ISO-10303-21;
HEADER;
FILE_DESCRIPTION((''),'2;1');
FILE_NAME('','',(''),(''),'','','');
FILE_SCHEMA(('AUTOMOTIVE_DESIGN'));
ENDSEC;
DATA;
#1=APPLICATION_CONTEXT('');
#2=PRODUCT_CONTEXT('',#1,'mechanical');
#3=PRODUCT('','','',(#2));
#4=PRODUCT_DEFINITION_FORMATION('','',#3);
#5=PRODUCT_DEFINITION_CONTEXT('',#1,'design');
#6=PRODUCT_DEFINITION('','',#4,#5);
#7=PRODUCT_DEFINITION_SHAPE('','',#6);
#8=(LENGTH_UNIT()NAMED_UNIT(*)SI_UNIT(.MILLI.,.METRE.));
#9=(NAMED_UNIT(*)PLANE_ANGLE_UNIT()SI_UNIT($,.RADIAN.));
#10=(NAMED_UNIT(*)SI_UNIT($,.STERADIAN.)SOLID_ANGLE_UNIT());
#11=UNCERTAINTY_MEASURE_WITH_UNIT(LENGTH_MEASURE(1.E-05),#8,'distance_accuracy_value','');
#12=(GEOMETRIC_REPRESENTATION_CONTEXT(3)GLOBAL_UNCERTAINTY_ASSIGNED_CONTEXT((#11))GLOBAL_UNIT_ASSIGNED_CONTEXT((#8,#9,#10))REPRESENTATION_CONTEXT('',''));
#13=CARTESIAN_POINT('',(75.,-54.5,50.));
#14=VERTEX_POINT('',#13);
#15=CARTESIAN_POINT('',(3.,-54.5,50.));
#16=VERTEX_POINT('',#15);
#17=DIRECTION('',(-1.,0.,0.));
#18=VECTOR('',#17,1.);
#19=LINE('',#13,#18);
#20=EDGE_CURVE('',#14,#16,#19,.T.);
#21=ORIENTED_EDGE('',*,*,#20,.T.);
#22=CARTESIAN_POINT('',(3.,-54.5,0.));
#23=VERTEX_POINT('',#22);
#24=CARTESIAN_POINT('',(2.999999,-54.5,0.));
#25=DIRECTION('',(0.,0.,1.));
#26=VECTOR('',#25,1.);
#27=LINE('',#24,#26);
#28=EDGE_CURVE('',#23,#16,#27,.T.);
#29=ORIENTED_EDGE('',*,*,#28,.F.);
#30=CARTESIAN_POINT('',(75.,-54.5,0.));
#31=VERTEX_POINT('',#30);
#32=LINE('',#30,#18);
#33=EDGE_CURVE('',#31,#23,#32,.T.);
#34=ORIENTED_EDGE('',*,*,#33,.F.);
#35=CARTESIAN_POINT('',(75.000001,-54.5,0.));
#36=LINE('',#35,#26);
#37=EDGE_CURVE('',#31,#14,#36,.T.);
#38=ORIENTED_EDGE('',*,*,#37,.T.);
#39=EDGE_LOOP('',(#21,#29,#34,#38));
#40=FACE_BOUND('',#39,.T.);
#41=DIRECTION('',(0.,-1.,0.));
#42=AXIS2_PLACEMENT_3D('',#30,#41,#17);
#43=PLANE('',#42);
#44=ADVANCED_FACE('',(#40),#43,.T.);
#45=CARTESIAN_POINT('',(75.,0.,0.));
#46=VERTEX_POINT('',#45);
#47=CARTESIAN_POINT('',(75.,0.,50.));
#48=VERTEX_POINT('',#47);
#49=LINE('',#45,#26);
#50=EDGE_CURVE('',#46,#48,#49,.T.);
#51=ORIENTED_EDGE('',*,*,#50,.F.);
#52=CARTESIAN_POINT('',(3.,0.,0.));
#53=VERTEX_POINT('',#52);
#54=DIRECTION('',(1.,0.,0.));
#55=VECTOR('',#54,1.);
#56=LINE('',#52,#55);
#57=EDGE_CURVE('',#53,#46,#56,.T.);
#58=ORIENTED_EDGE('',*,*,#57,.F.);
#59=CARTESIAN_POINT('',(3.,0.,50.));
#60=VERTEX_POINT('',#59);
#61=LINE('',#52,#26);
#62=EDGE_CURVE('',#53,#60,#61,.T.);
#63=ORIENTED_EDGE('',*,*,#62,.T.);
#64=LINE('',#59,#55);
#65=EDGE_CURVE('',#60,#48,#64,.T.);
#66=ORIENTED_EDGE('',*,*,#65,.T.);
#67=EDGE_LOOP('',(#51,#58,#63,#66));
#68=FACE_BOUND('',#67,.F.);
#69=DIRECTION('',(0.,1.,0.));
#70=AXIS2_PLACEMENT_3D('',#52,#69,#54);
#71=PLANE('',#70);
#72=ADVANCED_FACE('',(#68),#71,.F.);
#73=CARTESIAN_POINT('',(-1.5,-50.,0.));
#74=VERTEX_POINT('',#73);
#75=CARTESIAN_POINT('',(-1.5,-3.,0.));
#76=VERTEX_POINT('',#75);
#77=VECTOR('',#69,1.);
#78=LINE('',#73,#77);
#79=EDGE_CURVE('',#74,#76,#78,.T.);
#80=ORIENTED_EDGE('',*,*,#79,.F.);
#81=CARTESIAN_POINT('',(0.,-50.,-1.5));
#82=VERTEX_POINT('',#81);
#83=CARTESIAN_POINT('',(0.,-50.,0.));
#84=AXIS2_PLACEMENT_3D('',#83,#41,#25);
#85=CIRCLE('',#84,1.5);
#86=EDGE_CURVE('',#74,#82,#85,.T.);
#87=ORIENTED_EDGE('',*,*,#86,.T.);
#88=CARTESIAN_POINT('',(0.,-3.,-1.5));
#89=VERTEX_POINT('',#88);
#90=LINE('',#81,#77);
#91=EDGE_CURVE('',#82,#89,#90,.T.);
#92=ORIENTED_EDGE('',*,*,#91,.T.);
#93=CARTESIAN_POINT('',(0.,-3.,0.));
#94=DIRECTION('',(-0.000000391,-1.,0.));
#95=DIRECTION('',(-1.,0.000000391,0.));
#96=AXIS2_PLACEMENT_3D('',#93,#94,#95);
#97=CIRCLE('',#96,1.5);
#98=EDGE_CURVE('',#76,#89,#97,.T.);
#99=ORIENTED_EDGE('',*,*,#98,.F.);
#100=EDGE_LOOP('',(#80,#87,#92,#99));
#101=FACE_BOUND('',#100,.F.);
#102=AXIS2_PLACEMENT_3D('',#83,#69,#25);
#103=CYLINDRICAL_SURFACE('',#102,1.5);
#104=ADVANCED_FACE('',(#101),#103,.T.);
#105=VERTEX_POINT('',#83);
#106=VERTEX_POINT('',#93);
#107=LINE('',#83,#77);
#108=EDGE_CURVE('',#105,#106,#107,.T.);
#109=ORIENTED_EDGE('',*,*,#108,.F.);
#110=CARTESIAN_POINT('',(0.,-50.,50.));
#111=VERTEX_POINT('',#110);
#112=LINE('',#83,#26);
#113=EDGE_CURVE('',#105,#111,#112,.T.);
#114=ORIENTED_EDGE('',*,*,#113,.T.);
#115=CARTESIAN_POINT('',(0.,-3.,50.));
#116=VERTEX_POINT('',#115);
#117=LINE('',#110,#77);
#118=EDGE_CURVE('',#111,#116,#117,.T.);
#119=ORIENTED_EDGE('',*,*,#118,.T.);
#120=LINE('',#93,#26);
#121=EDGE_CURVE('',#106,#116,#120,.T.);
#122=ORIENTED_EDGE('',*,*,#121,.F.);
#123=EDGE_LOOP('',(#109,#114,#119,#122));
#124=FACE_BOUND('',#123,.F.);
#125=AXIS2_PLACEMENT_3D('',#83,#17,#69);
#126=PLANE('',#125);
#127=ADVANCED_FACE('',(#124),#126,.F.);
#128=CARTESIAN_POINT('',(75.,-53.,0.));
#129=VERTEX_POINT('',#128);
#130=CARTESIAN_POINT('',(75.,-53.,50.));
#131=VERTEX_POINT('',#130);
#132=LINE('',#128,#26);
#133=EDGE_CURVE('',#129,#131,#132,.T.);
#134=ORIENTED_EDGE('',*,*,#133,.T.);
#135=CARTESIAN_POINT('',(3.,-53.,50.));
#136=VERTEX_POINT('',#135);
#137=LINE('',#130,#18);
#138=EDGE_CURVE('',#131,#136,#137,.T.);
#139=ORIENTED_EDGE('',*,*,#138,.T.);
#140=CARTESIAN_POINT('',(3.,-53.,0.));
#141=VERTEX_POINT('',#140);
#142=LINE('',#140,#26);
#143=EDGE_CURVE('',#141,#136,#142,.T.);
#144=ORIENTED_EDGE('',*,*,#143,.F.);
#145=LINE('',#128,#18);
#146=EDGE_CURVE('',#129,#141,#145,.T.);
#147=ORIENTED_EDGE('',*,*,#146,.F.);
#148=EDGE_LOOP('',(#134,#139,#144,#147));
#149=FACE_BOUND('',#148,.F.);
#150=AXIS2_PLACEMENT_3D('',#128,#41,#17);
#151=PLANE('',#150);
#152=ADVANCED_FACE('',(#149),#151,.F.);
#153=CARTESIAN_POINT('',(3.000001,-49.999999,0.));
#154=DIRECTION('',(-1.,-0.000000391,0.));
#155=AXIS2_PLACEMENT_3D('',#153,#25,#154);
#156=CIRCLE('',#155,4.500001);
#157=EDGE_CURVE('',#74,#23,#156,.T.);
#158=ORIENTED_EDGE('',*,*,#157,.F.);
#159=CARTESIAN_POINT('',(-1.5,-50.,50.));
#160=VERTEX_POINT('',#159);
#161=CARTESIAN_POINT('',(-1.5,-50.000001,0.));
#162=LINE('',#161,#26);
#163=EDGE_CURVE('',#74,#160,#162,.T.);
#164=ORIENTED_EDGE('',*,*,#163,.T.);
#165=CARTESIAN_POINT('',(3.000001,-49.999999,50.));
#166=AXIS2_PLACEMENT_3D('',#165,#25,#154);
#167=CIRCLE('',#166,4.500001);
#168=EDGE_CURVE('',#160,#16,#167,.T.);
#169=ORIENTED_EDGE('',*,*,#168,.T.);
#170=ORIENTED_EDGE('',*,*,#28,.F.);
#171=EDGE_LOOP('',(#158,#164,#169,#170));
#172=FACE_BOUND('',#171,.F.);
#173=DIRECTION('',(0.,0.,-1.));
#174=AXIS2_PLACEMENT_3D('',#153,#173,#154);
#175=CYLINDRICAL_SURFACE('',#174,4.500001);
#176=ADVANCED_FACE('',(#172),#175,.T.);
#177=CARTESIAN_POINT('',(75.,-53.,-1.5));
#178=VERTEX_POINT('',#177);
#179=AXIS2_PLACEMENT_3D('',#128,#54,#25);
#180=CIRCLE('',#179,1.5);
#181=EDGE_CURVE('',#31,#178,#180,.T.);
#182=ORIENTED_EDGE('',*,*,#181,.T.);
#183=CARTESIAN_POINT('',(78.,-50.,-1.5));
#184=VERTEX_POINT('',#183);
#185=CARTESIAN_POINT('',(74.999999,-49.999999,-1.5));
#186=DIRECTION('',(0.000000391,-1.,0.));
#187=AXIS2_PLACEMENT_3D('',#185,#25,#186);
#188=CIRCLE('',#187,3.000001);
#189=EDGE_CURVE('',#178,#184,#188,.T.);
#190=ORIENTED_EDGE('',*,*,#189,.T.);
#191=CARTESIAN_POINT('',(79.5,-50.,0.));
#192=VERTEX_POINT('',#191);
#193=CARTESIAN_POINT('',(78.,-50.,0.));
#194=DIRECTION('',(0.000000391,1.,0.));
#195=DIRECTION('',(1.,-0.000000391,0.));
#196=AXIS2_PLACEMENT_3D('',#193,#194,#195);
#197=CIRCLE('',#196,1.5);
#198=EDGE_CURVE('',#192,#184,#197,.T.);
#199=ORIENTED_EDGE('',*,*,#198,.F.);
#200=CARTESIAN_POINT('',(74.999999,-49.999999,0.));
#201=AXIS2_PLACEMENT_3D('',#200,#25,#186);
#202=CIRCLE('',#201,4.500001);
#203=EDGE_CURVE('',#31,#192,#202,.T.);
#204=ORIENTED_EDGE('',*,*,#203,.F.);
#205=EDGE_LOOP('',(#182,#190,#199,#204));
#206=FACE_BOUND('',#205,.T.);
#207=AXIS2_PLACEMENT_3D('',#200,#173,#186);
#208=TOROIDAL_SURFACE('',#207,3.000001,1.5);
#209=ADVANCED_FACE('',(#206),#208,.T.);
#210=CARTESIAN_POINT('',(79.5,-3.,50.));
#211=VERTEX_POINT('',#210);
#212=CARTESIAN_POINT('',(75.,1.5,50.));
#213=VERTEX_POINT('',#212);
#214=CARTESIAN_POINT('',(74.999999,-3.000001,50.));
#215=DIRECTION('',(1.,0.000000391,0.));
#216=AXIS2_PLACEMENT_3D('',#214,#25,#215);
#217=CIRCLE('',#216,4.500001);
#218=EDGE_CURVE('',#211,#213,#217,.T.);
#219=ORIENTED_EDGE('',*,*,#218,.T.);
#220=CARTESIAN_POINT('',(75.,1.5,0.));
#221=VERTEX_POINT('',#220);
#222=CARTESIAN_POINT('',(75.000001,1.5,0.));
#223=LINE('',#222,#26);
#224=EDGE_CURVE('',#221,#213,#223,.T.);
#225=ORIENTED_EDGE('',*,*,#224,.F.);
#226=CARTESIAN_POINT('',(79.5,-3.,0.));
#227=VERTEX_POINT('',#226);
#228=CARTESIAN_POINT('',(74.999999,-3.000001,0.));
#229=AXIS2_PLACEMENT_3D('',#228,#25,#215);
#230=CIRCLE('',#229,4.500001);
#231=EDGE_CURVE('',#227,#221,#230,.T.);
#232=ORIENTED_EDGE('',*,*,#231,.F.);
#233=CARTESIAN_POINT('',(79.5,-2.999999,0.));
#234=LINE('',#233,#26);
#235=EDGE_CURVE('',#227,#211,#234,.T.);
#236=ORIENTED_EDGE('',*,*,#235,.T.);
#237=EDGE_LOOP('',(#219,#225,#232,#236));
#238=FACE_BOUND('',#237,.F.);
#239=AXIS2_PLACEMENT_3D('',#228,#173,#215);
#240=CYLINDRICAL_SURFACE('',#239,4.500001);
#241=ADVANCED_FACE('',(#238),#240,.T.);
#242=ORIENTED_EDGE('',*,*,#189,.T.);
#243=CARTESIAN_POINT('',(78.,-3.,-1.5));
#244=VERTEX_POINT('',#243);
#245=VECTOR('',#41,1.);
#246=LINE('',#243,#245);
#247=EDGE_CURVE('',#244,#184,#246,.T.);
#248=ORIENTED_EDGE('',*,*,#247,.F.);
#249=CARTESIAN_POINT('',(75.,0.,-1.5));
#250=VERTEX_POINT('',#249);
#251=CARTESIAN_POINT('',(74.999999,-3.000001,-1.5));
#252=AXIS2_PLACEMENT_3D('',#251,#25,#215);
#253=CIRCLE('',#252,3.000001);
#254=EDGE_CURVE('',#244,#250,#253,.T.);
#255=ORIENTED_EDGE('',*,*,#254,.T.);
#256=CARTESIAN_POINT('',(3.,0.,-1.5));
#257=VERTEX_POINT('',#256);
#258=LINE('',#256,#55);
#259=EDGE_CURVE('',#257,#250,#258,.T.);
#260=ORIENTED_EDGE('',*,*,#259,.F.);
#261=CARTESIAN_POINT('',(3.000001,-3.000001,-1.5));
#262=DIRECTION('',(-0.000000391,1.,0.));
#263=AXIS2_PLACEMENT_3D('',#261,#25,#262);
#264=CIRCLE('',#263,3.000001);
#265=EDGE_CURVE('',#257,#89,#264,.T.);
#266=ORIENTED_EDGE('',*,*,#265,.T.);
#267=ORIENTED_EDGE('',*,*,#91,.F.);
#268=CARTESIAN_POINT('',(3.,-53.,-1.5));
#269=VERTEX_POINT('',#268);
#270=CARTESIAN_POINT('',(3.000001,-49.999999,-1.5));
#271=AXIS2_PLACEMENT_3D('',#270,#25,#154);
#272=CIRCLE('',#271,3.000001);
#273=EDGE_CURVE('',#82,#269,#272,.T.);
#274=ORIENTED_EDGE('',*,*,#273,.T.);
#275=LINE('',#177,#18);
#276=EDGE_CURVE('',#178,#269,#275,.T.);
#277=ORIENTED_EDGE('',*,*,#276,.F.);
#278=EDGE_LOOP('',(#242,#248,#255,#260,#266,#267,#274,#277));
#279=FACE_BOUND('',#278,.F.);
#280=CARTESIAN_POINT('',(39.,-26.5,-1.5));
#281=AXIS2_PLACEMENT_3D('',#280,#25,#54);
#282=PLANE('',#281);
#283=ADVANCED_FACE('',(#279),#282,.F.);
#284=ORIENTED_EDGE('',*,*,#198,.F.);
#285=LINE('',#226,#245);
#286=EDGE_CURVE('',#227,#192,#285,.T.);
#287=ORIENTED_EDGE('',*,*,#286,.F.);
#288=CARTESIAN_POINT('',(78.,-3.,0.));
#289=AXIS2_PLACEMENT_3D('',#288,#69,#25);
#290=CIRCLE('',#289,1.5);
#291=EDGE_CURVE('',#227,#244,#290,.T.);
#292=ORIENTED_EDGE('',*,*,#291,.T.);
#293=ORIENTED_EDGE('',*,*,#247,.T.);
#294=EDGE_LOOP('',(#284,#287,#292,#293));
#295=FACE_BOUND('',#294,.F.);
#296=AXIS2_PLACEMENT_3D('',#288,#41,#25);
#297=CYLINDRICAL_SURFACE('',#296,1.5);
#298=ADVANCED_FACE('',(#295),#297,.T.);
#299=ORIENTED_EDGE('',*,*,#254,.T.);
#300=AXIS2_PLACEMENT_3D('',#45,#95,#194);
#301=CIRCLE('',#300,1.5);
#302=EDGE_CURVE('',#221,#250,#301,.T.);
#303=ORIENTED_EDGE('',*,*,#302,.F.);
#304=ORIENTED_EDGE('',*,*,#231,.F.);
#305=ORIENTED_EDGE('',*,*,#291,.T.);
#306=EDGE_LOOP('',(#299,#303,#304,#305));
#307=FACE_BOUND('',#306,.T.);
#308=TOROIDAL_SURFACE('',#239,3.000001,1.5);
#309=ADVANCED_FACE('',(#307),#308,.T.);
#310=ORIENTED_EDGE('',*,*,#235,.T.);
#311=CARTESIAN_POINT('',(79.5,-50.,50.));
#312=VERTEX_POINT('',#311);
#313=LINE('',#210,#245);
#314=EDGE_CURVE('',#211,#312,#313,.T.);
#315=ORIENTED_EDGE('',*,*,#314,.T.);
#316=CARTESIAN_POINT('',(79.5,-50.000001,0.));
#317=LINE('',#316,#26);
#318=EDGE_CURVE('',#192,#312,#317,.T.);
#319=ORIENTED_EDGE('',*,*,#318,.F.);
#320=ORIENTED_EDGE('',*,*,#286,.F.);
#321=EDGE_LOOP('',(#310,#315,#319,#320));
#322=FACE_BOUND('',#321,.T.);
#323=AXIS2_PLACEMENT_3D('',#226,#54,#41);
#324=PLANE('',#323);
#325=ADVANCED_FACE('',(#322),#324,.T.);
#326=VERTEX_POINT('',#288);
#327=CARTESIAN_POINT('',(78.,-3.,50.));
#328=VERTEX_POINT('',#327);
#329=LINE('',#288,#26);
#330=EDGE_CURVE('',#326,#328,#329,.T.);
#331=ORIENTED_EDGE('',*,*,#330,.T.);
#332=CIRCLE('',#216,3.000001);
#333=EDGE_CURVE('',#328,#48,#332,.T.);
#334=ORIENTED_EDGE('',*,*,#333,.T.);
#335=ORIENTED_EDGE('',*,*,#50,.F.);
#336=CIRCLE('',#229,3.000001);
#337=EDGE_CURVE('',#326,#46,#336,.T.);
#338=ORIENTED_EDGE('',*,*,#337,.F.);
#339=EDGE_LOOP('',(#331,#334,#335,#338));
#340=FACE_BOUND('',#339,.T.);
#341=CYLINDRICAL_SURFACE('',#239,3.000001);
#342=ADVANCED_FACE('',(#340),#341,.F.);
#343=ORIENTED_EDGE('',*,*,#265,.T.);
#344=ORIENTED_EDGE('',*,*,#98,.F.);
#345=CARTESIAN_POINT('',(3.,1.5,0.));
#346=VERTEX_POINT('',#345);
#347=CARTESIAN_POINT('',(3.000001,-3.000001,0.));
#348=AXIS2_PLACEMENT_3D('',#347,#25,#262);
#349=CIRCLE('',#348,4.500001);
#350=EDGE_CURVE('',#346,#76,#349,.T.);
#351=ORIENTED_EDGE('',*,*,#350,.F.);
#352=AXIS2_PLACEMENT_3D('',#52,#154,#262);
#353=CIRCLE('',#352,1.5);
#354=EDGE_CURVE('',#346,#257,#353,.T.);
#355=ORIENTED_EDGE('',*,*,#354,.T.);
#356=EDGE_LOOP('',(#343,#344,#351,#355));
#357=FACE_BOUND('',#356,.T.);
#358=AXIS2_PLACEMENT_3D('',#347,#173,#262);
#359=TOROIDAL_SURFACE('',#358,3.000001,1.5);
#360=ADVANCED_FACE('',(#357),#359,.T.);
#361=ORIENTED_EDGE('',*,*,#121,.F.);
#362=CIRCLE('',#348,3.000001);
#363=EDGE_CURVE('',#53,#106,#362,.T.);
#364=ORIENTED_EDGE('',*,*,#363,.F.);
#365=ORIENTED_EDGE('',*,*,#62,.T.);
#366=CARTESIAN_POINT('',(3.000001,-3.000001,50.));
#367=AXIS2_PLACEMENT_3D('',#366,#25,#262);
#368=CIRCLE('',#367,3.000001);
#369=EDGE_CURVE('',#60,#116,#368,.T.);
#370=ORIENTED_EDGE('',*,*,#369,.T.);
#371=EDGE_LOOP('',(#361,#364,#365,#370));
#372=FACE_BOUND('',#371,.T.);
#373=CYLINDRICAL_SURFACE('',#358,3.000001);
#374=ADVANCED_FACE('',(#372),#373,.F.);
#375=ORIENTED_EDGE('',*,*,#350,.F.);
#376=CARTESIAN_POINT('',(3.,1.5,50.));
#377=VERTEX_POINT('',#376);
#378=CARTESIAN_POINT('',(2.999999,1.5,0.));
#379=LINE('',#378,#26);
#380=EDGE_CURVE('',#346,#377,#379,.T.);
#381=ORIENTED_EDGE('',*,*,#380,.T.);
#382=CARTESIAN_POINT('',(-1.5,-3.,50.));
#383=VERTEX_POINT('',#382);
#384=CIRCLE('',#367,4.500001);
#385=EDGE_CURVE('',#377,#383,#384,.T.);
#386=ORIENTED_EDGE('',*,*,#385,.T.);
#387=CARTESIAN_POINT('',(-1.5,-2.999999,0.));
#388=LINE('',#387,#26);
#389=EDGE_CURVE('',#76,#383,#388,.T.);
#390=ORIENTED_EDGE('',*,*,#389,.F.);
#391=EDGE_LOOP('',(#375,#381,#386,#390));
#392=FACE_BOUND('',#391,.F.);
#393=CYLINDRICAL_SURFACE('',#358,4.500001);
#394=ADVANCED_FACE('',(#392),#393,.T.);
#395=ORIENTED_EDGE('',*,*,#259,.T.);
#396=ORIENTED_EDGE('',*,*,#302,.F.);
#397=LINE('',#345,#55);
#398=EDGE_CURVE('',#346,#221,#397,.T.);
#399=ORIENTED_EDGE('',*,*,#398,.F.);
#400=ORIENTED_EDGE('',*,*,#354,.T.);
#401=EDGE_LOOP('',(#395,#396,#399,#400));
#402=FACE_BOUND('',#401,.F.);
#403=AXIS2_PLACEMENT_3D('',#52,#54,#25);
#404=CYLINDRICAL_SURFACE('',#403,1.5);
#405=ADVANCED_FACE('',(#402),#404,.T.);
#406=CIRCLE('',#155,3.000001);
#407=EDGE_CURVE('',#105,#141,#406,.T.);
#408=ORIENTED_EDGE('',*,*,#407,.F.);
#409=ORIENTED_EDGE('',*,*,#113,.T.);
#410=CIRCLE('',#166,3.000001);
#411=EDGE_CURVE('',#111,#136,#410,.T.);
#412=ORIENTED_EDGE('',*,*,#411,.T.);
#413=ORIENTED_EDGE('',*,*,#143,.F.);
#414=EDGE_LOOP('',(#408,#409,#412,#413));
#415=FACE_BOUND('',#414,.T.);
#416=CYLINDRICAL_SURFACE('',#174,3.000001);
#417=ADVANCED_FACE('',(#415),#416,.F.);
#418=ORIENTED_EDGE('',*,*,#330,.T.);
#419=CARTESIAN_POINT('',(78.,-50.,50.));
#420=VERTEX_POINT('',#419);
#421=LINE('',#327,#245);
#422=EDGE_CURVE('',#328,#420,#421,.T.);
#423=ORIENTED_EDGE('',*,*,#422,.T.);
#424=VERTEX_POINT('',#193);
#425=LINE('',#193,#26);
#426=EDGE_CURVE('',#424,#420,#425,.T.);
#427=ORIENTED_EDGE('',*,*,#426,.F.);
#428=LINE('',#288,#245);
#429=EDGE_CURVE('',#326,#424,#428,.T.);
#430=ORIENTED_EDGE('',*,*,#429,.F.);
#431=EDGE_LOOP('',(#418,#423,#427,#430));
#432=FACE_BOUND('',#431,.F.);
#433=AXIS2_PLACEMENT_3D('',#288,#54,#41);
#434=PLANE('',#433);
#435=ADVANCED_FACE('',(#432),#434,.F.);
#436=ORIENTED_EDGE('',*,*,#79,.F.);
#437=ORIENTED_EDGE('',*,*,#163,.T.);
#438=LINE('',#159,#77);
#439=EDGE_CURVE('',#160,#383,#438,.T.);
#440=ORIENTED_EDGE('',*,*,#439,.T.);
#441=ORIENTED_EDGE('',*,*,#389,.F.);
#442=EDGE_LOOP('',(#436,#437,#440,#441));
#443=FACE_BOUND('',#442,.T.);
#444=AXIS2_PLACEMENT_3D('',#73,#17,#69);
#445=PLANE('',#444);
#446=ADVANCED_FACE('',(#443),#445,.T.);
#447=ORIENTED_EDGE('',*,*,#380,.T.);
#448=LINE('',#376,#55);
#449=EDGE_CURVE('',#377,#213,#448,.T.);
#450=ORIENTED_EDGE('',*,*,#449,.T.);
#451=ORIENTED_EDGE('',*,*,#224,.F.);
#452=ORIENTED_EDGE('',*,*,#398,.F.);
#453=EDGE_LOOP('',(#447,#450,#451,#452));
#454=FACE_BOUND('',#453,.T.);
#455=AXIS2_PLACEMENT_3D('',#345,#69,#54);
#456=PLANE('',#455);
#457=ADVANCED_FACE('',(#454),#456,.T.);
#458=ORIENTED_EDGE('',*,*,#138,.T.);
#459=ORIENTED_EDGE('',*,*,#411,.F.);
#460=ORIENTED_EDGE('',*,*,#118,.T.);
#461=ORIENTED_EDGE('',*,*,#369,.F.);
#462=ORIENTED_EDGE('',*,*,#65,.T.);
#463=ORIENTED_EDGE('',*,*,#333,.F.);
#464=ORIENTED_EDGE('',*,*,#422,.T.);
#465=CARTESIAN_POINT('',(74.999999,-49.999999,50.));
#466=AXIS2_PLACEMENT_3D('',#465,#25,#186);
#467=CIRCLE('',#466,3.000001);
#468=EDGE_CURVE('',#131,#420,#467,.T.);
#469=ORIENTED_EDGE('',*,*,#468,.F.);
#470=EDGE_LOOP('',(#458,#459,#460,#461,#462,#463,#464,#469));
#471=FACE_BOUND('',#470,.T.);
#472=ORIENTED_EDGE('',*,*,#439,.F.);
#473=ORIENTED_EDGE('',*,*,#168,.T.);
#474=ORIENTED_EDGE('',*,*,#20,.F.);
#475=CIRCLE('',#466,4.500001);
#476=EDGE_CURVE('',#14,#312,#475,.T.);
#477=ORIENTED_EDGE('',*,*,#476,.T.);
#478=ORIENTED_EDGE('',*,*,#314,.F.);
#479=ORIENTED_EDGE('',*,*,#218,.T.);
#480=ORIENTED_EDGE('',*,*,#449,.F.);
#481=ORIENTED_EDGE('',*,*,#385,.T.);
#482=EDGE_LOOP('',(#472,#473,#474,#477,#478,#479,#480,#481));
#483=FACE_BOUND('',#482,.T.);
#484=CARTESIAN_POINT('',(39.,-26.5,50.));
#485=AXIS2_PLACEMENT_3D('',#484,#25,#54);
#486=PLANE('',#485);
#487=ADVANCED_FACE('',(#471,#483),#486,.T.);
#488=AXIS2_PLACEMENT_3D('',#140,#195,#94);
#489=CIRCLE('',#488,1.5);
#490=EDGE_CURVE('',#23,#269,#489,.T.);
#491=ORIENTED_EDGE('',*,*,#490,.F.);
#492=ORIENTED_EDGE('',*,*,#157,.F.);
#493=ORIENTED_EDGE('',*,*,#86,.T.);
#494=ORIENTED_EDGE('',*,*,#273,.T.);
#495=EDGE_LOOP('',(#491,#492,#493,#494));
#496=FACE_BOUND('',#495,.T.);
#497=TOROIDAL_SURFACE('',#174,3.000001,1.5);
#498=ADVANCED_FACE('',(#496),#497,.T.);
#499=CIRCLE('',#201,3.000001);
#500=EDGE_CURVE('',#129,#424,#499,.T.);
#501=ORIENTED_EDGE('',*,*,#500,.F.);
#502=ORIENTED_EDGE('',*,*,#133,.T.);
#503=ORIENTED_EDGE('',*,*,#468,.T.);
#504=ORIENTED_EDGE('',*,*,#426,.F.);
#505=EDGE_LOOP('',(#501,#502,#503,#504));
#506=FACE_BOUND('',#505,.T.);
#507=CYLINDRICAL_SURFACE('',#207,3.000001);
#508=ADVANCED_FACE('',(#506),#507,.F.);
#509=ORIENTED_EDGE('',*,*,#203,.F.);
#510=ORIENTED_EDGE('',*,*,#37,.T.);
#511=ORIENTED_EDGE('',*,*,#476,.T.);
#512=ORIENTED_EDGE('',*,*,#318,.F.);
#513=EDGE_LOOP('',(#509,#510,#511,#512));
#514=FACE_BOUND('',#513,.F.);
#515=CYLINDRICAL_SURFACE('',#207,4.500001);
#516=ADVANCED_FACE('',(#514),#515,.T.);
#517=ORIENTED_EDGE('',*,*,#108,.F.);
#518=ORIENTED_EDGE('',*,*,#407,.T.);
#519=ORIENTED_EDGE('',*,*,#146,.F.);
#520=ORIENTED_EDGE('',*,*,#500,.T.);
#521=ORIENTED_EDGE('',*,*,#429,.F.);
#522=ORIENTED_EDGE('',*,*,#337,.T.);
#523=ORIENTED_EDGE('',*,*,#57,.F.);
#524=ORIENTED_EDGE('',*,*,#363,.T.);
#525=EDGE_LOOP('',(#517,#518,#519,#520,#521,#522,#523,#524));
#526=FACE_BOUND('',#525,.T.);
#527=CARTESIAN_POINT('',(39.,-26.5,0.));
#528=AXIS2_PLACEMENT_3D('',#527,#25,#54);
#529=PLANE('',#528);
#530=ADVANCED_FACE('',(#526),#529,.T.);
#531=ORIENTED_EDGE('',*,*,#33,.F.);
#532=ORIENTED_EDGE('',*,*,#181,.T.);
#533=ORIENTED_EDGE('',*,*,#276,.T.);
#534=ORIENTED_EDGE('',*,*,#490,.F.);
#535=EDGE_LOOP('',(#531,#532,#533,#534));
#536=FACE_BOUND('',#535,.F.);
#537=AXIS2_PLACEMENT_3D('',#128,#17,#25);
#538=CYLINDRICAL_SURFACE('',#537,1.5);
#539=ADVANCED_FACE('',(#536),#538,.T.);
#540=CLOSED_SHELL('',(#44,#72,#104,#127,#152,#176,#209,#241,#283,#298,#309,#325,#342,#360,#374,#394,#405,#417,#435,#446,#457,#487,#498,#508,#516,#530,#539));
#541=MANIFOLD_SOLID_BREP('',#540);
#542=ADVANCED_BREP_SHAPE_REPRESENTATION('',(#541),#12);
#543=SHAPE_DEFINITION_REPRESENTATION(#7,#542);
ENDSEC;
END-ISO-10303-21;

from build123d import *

# Parameters (mm, degrees)
PAD_DEPTH   = 50
THICKNESS_T = 1.5


with BuildPart() as part:
    # Sketch → Pad (new body)
    with BuildSketch(Plane.XY):
        with BuildLine():
            ThreePointArc((3, 0), (0.87868, -0.87868), (0, -3))
            Line((0, -50), (0, -3))
            ThreePointArc((0, -50), (0.87868, -52.12132), (3, -53))
            Line((75, -53), (3, -53))
            ThreePointArc((75, -53), (77.12132, -52.12132), (78, -50))
            Line((78, -3), (78, -50))
            ThreePointArc((78, -3), (77.12132, -0.87868), (75, 0))
            Line((3, 0), (75, 0))
        make_face()
    extrude(amount=PAD_DEPTH)

    # Thickness
    thickness_openings = [part.faces().sort_by_distance(p)[0] for p in [
        (39, -26.5, 50),
    ]]
    offset(amount=THICKNESS_T, openings=thickness_openings)


solid = part.part
